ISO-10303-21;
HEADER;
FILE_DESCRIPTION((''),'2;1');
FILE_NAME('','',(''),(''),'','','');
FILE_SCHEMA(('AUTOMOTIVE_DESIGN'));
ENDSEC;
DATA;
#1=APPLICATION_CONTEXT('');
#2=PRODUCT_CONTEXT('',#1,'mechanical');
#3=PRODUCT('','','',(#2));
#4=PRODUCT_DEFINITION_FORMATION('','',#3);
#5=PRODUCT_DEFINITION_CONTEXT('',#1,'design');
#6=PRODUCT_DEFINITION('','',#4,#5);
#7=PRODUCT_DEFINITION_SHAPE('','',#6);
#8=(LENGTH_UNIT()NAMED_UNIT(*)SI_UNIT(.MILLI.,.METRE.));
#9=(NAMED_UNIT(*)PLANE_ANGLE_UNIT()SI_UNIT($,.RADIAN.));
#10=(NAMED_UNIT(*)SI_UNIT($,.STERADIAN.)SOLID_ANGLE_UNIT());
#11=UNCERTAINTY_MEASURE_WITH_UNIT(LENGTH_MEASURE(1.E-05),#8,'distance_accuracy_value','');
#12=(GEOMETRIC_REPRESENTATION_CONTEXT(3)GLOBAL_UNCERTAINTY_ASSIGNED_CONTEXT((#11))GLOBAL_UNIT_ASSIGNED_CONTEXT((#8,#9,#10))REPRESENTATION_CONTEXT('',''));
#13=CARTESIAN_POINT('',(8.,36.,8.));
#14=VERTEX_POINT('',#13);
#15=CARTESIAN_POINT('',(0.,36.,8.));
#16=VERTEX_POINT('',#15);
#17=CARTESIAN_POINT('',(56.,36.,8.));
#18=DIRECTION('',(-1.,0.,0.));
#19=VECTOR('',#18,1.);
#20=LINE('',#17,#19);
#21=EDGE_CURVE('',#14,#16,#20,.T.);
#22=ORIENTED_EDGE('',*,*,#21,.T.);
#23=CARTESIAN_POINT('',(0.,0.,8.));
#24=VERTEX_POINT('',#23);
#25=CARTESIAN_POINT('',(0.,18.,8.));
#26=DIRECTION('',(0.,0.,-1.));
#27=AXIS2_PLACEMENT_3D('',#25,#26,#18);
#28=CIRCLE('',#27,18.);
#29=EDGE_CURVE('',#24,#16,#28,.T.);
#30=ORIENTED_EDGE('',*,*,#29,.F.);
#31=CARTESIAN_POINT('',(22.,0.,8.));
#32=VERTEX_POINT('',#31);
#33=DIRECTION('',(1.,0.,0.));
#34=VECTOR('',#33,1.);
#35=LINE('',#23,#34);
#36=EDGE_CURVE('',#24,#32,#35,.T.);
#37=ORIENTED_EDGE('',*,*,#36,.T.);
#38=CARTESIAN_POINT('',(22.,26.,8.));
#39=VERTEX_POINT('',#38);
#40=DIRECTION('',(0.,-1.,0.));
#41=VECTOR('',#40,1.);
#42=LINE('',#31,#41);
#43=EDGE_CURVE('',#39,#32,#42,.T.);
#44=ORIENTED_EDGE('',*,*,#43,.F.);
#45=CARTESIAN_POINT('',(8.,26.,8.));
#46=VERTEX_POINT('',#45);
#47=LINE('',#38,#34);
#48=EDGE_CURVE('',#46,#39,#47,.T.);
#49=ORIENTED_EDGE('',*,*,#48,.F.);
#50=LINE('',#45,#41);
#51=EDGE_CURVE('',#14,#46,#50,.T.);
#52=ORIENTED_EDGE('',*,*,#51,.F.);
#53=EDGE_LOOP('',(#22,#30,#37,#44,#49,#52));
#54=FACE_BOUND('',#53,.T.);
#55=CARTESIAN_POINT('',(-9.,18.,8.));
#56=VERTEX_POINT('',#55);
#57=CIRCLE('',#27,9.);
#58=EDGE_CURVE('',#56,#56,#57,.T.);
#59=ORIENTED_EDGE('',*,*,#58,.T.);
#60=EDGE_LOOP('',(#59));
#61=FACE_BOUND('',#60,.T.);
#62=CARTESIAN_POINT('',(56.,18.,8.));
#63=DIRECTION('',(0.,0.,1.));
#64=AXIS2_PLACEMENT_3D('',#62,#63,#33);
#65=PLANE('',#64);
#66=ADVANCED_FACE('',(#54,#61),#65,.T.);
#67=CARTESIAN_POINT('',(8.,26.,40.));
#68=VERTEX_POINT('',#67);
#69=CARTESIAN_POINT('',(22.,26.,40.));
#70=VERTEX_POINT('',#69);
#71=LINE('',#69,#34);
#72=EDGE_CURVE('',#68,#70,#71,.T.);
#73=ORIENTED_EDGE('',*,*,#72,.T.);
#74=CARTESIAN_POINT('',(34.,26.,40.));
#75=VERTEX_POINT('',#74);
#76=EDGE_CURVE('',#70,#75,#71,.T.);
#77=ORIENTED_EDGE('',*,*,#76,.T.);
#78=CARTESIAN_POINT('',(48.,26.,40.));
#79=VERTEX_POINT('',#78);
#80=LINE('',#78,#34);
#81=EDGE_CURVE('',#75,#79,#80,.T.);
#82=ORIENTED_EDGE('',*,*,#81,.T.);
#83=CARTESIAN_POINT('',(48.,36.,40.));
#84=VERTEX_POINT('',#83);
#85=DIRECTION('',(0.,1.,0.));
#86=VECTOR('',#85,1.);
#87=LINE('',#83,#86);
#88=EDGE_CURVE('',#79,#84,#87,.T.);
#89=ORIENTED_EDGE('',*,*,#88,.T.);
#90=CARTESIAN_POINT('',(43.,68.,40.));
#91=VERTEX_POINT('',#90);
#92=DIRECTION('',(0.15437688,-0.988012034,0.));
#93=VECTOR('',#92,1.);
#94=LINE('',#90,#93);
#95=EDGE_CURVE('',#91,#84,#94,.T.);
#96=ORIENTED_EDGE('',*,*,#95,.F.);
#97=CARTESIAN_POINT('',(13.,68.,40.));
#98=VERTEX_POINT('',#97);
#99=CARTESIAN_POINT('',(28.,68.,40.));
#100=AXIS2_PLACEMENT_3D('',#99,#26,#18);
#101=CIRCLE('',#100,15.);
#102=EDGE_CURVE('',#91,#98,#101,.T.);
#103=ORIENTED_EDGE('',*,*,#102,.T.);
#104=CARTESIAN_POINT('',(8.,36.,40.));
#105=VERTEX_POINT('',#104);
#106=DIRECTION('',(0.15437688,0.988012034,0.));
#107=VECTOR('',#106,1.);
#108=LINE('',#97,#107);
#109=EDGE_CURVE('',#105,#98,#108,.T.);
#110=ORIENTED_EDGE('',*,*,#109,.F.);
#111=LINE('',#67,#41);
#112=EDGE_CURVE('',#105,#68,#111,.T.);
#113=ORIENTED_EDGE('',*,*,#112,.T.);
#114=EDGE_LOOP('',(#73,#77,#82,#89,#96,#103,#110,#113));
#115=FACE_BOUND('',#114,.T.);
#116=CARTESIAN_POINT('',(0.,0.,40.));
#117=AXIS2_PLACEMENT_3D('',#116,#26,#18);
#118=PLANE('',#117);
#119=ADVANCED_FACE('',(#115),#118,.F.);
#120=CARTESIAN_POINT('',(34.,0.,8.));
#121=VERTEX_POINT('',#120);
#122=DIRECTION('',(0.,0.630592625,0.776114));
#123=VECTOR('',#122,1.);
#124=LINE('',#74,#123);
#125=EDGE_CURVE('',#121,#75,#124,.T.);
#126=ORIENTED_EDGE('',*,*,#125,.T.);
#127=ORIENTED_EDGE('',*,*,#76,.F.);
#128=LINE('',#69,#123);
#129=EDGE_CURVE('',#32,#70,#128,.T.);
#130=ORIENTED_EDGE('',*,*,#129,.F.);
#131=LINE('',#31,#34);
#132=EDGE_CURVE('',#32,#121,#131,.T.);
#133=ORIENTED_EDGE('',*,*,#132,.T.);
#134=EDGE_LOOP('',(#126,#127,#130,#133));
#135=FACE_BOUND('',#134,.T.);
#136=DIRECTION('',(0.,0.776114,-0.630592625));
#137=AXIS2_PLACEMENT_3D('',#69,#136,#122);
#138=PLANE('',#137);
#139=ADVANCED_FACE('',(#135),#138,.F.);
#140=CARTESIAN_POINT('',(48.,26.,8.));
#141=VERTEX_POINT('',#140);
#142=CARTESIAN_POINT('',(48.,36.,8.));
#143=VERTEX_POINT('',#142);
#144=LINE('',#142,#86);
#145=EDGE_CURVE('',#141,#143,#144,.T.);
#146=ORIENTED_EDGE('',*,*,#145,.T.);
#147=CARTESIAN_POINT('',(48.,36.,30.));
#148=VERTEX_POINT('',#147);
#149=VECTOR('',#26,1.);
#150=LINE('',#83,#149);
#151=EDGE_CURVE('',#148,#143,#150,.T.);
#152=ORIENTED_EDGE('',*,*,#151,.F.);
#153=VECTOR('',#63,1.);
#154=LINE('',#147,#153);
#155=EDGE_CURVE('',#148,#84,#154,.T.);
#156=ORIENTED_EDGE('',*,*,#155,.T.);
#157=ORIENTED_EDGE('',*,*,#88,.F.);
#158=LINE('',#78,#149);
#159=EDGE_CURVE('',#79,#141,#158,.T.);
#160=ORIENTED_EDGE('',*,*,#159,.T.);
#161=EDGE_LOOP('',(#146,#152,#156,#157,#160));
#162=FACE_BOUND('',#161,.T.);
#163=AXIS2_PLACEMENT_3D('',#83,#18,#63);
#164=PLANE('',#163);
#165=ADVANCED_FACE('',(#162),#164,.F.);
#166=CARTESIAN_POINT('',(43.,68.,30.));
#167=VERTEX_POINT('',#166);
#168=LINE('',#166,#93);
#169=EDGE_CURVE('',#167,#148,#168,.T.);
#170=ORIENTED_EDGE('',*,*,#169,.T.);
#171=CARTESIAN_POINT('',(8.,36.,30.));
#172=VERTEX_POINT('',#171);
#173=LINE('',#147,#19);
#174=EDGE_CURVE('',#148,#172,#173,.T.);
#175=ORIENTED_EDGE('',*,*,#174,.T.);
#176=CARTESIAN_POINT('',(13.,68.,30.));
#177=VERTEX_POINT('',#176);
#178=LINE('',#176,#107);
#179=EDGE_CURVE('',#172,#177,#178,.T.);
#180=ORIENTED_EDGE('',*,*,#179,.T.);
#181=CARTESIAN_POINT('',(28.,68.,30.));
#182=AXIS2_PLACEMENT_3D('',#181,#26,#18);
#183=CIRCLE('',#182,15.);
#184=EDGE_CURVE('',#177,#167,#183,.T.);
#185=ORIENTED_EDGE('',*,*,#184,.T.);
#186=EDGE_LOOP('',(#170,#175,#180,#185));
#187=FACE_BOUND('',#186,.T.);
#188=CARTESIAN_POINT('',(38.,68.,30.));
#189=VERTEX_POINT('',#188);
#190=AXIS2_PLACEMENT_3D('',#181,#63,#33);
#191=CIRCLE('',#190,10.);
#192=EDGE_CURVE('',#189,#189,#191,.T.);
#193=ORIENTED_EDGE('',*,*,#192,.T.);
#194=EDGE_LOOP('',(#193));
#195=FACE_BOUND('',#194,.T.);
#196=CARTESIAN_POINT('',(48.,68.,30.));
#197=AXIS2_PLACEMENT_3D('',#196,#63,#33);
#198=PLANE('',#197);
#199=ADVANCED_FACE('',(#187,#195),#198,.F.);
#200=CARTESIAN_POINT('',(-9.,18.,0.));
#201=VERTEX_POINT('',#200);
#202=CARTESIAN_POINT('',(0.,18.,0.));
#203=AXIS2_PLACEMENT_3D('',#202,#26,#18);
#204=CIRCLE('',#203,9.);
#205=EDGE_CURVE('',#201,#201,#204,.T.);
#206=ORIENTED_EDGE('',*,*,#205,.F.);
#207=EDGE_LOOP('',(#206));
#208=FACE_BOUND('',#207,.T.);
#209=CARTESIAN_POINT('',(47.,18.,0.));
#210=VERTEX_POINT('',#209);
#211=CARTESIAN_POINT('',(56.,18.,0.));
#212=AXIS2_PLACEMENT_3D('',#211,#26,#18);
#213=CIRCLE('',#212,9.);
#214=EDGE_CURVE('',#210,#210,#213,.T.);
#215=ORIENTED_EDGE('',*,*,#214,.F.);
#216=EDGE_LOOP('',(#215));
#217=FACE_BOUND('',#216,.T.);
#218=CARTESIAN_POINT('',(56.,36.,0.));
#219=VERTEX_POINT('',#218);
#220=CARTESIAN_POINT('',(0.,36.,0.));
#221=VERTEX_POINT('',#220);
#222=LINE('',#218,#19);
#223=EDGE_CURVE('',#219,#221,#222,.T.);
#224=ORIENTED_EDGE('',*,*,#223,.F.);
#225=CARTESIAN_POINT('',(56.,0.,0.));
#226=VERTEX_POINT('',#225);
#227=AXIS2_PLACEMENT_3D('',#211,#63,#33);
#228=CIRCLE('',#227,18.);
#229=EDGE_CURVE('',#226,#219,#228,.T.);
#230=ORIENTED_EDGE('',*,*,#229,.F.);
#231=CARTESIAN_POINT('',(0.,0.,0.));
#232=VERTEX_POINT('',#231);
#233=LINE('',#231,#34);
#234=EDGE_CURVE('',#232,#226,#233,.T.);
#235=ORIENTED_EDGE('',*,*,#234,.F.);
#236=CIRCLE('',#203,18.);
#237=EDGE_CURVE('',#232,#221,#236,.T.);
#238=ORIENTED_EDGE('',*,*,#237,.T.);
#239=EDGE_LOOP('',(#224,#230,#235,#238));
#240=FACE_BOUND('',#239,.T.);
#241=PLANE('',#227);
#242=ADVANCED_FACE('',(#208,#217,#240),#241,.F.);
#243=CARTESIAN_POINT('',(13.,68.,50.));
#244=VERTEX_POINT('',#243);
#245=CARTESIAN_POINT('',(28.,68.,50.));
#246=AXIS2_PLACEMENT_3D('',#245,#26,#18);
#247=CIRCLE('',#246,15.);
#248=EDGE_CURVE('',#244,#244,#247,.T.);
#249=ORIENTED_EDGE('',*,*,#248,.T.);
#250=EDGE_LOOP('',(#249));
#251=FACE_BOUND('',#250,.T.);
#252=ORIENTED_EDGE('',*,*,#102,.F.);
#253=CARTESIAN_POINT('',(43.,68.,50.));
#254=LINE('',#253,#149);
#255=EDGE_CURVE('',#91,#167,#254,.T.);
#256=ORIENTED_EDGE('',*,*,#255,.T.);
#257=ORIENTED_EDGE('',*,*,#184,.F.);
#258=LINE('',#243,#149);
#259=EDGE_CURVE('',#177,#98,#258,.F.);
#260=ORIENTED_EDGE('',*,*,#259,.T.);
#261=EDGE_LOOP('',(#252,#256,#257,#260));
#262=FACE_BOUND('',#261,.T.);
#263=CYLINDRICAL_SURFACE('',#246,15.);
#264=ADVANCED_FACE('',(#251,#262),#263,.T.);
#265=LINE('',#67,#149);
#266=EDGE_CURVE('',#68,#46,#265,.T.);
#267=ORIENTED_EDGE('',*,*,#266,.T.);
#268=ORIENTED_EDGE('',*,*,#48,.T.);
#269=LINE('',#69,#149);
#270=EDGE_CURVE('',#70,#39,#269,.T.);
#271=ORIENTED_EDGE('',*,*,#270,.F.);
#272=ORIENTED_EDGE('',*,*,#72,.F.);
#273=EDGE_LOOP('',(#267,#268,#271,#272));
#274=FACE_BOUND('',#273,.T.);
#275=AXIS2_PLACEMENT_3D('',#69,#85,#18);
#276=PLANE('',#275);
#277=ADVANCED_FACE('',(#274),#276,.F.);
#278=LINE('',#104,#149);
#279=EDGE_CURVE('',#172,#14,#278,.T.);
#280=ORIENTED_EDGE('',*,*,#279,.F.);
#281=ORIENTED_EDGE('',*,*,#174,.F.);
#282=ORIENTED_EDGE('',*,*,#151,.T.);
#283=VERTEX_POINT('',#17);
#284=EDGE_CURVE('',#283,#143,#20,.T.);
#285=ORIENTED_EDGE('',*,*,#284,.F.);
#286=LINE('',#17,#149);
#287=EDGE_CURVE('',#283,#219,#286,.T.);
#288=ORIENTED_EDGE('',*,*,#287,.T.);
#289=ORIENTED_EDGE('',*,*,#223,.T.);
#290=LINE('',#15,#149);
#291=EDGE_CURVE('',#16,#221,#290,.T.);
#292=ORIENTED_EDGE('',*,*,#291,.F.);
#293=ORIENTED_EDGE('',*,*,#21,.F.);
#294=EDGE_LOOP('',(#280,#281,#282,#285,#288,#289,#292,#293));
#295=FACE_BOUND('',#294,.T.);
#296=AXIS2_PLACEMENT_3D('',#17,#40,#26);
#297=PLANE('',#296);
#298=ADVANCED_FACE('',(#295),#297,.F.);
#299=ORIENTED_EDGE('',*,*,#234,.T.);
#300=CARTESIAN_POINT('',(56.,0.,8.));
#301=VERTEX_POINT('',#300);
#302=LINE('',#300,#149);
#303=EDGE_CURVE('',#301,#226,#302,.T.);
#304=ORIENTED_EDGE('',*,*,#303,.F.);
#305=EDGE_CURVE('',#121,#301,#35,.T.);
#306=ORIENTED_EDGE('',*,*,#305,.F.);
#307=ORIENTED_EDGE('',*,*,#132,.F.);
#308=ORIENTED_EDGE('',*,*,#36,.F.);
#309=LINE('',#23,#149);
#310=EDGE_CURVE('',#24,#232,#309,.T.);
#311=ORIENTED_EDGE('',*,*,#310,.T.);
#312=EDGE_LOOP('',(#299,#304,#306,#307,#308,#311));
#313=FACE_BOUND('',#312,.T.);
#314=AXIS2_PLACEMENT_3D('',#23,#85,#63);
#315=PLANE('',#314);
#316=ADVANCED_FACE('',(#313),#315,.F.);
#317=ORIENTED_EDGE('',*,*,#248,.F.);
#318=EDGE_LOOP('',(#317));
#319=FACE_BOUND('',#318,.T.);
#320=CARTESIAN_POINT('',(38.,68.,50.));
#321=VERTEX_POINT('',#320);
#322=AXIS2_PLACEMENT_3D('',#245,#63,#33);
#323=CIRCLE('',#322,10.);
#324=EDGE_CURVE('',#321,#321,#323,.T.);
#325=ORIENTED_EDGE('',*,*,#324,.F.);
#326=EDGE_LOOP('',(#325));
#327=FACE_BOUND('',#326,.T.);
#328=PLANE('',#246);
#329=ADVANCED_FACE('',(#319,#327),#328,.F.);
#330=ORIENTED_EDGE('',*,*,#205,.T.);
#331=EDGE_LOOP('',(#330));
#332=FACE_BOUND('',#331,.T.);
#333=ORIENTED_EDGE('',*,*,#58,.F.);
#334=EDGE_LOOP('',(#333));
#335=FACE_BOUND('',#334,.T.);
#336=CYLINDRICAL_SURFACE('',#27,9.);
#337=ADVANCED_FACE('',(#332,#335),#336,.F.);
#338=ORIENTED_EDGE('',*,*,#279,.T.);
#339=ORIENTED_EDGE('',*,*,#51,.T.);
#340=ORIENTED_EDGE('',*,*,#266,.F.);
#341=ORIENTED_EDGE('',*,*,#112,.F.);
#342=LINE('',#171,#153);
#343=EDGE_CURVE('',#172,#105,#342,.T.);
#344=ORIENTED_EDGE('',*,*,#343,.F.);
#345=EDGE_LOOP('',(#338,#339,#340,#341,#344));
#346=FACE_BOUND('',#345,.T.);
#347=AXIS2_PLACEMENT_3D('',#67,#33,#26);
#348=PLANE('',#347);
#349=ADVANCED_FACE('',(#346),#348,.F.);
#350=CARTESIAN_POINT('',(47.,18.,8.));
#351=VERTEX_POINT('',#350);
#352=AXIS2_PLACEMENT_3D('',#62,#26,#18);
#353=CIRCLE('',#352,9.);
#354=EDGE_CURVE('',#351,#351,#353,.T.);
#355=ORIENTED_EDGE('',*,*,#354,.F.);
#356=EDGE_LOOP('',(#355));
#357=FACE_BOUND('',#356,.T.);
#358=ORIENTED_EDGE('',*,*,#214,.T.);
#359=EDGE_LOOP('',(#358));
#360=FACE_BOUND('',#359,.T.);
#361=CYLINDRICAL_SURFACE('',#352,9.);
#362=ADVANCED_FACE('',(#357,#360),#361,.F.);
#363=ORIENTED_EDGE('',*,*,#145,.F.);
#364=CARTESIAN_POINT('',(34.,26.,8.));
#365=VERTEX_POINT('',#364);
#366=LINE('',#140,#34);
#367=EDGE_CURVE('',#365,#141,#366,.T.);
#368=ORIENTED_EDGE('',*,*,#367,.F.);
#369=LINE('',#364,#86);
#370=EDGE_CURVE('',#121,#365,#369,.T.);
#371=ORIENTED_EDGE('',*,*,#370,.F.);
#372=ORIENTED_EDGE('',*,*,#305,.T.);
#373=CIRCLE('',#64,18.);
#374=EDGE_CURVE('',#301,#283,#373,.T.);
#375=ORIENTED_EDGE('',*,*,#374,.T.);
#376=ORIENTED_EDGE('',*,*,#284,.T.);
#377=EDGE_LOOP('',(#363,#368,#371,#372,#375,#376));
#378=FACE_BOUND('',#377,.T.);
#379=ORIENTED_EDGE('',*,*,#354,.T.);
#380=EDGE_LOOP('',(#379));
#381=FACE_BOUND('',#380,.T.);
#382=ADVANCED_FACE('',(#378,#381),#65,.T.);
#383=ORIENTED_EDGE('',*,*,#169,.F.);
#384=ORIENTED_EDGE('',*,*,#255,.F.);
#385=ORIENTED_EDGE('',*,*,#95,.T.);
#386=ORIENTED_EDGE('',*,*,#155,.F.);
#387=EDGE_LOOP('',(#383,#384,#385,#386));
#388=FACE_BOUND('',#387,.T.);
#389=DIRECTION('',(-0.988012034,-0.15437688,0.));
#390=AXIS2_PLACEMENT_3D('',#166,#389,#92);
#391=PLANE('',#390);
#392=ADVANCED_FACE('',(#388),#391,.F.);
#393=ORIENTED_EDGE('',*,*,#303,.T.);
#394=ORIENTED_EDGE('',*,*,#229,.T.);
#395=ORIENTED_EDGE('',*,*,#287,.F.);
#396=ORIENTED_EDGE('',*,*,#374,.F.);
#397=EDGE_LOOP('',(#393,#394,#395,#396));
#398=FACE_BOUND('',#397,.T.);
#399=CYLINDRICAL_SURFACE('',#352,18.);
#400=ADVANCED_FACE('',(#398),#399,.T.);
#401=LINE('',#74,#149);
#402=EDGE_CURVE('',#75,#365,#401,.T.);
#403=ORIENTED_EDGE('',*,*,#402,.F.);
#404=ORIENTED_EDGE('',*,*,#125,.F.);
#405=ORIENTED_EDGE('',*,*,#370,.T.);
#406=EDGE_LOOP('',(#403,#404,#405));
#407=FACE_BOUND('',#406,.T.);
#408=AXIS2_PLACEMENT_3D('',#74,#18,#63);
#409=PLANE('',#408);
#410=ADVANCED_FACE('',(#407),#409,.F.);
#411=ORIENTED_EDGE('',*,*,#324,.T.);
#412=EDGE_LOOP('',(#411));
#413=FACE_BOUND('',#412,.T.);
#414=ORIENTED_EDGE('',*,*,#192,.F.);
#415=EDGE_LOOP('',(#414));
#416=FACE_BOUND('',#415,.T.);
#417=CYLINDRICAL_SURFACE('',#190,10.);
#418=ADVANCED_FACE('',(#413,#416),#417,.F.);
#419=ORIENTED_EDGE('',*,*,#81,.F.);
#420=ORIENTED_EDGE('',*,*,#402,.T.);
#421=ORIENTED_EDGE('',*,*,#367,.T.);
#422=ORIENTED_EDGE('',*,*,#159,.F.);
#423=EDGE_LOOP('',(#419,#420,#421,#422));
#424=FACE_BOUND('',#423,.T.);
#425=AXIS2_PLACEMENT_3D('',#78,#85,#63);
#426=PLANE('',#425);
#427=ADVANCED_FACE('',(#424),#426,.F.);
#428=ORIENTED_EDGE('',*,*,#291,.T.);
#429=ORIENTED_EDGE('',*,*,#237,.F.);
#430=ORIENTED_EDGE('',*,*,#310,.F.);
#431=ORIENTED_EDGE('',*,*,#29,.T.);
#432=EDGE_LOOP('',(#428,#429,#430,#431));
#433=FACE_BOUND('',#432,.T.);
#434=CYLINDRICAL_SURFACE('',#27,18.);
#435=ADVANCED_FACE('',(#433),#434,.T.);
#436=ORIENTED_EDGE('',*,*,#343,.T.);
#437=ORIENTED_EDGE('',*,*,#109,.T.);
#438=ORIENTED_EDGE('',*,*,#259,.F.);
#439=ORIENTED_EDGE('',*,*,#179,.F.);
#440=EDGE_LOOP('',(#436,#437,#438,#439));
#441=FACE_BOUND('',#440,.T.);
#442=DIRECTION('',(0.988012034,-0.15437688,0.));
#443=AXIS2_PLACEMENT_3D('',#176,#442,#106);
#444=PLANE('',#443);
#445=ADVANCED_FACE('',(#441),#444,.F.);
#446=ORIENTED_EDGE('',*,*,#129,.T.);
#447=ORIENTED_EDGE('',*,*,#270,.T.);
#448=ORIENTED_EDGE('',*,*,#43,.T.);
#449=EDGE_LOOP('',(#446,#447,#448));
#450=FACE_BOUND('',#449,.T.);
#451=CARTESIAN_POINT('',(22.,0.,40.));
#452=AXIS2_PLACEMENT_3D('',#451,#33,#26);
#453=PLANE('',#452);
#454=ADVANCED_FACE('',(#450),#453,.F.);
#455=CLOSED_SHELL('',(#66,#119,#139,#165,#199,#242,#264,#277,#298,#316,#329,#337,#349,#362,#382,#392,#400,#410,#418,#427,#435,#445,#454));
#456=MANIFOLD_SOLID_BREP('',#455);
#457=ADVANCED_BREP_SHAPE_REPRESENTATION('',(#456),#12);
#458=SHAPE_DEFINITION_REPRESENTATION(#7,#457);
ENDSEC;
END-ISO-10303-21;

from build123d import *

# Parameters (mm, degrees)
BOSS_EXTRUDE2_DEPTH = 8
SKETCH5_R           = 9
CUT_EXTRUDE2_DEPTH  = 8
BOSS_EXTRUDE3_DEPTH = 32
CUT_EXTRUDE3_DEPTH  = 12
SKETCH8_W           = 40
SKETCH8_H           = 10
BOSS_EXTRUDE4_DEPTH = 32
SKETCH10_R          = 15
BOSS_EXTRUDE5_DEPTH = 20
CUT_EXTRUDE4_DEPTH  = 10
CUT_EXTRUDE5_DEPTH  = 10
SKETCH14_R          = 10
CUT_EXTRUDE6_DEPTH  = 20


with BuildPart() as part:
    # Sketch1 → Boss-Extrude2 (new body)
    with BuildSketch(Plane.XY):
        with BuildLine():
            Line((0, 0), (56, 0))
            ThreePointArc((56, 0), (74, 18), (56, 36))
            Line((56, 36), (0, 36))
            ThreePointArc((0, 36), (-18, 18), (0, 0))
        make_face()
    extrude(amount=BOSS_EXTRUDE2_DEPTH)

    # Sketch5 → Cut-Extrude2 (cut)
    with BuildSketch(Plane(origin=(0, 0, 0), x_dir=(-1, 0, 0), z_dir=(0, 0, -1))):
        with Locations((0, 18)):
            Circle(SKETCH5_R)
        with Locations((-56, 18)):
            Circle(SKETCH5_R)
    extrude(amount=-CUT_EXTRUDE2_DEPTH, mode=Mode.SUBTRACT)

    # Sketch6 → Boss-Extrude3 (add)
    with BuildSketch(Plane.XY.offset(8)):
        Polygon((8, 36), (48, 36), (48, 26), (34, 26), (34, 0), (22, 0), (22, 26), (8, 26), align=None)
    extrude(amount=BOSS_EXTRUDE3_DEPTH)

    # Sketch7 → Cut-Extrude3 (cut)
    with BuildSketch(Plane(origin=(34, 0, 0), x_dir=(0, 0, -1), z_dir=(1, 0, 0))):
        Polygon((-40, 26), (-8, 0), (-40, 0), align=None)
    extrude(amount=-CUT_EXTRUDE3_DEPTH, mode=Mode.SUBTRACT)

    # Sketch8 → Boss-Extrude4 (add)
    with BuildSketch(Plane(origin=(0, 36, 0), x_dir=(1, 0, 0), z_dir=(0, 1, 0))):
        with Locations((28, -35)):
            Rectangle(SKETCH8_W, SKETCH8_H)
    extrude(amount=BOSS_EXTRUDE4_DEPTH)

    # Sketch10 → Boss-Extrude5 (add)
    with BuildSketch(Plane(origin=(0, 0, 30), x_dir=(-1, 0, 0), z_dir=(0, 0, -1))):
        with Locations((-28, 68)):
            Circle(SKETCH10_R)
    extrude(amount=-BOSS_EXTRUDE5_DEPTH)

    # Sketch11 → Cut-Extrude4 (cut)
    with BuildSketch(Plane.XY.offset(40)):
        Polygon((43, 68), (48, 36), (48, 68), align=None)
    extrude(amount=-CUT_EXTRUDE4_DEPTH, mode=Mode.SUBTRACT)

    # Sketch13 → Cut-Extrude5 (cut)
    with BuildSketch(Plane.XY.offset(40)):
        Polygon((13, 68), (8, 36), (8, 68), align=None)
    extrude(amount=-CUT_EXTRUDE5_DEPTH, mode=Mode.SUBTRACT)

    # Sketch14 → Cut-Extrude6 (cut)
    with BuildSketch(Plane.XY.offset(50)):
        with Locations((28, 68)):
            Circle(SKETCH14_R)
    extrude(amount=-CUT_EXTRUDE6_DEPTH, mode=Mode.SUBTRACT)


solid = part.part
